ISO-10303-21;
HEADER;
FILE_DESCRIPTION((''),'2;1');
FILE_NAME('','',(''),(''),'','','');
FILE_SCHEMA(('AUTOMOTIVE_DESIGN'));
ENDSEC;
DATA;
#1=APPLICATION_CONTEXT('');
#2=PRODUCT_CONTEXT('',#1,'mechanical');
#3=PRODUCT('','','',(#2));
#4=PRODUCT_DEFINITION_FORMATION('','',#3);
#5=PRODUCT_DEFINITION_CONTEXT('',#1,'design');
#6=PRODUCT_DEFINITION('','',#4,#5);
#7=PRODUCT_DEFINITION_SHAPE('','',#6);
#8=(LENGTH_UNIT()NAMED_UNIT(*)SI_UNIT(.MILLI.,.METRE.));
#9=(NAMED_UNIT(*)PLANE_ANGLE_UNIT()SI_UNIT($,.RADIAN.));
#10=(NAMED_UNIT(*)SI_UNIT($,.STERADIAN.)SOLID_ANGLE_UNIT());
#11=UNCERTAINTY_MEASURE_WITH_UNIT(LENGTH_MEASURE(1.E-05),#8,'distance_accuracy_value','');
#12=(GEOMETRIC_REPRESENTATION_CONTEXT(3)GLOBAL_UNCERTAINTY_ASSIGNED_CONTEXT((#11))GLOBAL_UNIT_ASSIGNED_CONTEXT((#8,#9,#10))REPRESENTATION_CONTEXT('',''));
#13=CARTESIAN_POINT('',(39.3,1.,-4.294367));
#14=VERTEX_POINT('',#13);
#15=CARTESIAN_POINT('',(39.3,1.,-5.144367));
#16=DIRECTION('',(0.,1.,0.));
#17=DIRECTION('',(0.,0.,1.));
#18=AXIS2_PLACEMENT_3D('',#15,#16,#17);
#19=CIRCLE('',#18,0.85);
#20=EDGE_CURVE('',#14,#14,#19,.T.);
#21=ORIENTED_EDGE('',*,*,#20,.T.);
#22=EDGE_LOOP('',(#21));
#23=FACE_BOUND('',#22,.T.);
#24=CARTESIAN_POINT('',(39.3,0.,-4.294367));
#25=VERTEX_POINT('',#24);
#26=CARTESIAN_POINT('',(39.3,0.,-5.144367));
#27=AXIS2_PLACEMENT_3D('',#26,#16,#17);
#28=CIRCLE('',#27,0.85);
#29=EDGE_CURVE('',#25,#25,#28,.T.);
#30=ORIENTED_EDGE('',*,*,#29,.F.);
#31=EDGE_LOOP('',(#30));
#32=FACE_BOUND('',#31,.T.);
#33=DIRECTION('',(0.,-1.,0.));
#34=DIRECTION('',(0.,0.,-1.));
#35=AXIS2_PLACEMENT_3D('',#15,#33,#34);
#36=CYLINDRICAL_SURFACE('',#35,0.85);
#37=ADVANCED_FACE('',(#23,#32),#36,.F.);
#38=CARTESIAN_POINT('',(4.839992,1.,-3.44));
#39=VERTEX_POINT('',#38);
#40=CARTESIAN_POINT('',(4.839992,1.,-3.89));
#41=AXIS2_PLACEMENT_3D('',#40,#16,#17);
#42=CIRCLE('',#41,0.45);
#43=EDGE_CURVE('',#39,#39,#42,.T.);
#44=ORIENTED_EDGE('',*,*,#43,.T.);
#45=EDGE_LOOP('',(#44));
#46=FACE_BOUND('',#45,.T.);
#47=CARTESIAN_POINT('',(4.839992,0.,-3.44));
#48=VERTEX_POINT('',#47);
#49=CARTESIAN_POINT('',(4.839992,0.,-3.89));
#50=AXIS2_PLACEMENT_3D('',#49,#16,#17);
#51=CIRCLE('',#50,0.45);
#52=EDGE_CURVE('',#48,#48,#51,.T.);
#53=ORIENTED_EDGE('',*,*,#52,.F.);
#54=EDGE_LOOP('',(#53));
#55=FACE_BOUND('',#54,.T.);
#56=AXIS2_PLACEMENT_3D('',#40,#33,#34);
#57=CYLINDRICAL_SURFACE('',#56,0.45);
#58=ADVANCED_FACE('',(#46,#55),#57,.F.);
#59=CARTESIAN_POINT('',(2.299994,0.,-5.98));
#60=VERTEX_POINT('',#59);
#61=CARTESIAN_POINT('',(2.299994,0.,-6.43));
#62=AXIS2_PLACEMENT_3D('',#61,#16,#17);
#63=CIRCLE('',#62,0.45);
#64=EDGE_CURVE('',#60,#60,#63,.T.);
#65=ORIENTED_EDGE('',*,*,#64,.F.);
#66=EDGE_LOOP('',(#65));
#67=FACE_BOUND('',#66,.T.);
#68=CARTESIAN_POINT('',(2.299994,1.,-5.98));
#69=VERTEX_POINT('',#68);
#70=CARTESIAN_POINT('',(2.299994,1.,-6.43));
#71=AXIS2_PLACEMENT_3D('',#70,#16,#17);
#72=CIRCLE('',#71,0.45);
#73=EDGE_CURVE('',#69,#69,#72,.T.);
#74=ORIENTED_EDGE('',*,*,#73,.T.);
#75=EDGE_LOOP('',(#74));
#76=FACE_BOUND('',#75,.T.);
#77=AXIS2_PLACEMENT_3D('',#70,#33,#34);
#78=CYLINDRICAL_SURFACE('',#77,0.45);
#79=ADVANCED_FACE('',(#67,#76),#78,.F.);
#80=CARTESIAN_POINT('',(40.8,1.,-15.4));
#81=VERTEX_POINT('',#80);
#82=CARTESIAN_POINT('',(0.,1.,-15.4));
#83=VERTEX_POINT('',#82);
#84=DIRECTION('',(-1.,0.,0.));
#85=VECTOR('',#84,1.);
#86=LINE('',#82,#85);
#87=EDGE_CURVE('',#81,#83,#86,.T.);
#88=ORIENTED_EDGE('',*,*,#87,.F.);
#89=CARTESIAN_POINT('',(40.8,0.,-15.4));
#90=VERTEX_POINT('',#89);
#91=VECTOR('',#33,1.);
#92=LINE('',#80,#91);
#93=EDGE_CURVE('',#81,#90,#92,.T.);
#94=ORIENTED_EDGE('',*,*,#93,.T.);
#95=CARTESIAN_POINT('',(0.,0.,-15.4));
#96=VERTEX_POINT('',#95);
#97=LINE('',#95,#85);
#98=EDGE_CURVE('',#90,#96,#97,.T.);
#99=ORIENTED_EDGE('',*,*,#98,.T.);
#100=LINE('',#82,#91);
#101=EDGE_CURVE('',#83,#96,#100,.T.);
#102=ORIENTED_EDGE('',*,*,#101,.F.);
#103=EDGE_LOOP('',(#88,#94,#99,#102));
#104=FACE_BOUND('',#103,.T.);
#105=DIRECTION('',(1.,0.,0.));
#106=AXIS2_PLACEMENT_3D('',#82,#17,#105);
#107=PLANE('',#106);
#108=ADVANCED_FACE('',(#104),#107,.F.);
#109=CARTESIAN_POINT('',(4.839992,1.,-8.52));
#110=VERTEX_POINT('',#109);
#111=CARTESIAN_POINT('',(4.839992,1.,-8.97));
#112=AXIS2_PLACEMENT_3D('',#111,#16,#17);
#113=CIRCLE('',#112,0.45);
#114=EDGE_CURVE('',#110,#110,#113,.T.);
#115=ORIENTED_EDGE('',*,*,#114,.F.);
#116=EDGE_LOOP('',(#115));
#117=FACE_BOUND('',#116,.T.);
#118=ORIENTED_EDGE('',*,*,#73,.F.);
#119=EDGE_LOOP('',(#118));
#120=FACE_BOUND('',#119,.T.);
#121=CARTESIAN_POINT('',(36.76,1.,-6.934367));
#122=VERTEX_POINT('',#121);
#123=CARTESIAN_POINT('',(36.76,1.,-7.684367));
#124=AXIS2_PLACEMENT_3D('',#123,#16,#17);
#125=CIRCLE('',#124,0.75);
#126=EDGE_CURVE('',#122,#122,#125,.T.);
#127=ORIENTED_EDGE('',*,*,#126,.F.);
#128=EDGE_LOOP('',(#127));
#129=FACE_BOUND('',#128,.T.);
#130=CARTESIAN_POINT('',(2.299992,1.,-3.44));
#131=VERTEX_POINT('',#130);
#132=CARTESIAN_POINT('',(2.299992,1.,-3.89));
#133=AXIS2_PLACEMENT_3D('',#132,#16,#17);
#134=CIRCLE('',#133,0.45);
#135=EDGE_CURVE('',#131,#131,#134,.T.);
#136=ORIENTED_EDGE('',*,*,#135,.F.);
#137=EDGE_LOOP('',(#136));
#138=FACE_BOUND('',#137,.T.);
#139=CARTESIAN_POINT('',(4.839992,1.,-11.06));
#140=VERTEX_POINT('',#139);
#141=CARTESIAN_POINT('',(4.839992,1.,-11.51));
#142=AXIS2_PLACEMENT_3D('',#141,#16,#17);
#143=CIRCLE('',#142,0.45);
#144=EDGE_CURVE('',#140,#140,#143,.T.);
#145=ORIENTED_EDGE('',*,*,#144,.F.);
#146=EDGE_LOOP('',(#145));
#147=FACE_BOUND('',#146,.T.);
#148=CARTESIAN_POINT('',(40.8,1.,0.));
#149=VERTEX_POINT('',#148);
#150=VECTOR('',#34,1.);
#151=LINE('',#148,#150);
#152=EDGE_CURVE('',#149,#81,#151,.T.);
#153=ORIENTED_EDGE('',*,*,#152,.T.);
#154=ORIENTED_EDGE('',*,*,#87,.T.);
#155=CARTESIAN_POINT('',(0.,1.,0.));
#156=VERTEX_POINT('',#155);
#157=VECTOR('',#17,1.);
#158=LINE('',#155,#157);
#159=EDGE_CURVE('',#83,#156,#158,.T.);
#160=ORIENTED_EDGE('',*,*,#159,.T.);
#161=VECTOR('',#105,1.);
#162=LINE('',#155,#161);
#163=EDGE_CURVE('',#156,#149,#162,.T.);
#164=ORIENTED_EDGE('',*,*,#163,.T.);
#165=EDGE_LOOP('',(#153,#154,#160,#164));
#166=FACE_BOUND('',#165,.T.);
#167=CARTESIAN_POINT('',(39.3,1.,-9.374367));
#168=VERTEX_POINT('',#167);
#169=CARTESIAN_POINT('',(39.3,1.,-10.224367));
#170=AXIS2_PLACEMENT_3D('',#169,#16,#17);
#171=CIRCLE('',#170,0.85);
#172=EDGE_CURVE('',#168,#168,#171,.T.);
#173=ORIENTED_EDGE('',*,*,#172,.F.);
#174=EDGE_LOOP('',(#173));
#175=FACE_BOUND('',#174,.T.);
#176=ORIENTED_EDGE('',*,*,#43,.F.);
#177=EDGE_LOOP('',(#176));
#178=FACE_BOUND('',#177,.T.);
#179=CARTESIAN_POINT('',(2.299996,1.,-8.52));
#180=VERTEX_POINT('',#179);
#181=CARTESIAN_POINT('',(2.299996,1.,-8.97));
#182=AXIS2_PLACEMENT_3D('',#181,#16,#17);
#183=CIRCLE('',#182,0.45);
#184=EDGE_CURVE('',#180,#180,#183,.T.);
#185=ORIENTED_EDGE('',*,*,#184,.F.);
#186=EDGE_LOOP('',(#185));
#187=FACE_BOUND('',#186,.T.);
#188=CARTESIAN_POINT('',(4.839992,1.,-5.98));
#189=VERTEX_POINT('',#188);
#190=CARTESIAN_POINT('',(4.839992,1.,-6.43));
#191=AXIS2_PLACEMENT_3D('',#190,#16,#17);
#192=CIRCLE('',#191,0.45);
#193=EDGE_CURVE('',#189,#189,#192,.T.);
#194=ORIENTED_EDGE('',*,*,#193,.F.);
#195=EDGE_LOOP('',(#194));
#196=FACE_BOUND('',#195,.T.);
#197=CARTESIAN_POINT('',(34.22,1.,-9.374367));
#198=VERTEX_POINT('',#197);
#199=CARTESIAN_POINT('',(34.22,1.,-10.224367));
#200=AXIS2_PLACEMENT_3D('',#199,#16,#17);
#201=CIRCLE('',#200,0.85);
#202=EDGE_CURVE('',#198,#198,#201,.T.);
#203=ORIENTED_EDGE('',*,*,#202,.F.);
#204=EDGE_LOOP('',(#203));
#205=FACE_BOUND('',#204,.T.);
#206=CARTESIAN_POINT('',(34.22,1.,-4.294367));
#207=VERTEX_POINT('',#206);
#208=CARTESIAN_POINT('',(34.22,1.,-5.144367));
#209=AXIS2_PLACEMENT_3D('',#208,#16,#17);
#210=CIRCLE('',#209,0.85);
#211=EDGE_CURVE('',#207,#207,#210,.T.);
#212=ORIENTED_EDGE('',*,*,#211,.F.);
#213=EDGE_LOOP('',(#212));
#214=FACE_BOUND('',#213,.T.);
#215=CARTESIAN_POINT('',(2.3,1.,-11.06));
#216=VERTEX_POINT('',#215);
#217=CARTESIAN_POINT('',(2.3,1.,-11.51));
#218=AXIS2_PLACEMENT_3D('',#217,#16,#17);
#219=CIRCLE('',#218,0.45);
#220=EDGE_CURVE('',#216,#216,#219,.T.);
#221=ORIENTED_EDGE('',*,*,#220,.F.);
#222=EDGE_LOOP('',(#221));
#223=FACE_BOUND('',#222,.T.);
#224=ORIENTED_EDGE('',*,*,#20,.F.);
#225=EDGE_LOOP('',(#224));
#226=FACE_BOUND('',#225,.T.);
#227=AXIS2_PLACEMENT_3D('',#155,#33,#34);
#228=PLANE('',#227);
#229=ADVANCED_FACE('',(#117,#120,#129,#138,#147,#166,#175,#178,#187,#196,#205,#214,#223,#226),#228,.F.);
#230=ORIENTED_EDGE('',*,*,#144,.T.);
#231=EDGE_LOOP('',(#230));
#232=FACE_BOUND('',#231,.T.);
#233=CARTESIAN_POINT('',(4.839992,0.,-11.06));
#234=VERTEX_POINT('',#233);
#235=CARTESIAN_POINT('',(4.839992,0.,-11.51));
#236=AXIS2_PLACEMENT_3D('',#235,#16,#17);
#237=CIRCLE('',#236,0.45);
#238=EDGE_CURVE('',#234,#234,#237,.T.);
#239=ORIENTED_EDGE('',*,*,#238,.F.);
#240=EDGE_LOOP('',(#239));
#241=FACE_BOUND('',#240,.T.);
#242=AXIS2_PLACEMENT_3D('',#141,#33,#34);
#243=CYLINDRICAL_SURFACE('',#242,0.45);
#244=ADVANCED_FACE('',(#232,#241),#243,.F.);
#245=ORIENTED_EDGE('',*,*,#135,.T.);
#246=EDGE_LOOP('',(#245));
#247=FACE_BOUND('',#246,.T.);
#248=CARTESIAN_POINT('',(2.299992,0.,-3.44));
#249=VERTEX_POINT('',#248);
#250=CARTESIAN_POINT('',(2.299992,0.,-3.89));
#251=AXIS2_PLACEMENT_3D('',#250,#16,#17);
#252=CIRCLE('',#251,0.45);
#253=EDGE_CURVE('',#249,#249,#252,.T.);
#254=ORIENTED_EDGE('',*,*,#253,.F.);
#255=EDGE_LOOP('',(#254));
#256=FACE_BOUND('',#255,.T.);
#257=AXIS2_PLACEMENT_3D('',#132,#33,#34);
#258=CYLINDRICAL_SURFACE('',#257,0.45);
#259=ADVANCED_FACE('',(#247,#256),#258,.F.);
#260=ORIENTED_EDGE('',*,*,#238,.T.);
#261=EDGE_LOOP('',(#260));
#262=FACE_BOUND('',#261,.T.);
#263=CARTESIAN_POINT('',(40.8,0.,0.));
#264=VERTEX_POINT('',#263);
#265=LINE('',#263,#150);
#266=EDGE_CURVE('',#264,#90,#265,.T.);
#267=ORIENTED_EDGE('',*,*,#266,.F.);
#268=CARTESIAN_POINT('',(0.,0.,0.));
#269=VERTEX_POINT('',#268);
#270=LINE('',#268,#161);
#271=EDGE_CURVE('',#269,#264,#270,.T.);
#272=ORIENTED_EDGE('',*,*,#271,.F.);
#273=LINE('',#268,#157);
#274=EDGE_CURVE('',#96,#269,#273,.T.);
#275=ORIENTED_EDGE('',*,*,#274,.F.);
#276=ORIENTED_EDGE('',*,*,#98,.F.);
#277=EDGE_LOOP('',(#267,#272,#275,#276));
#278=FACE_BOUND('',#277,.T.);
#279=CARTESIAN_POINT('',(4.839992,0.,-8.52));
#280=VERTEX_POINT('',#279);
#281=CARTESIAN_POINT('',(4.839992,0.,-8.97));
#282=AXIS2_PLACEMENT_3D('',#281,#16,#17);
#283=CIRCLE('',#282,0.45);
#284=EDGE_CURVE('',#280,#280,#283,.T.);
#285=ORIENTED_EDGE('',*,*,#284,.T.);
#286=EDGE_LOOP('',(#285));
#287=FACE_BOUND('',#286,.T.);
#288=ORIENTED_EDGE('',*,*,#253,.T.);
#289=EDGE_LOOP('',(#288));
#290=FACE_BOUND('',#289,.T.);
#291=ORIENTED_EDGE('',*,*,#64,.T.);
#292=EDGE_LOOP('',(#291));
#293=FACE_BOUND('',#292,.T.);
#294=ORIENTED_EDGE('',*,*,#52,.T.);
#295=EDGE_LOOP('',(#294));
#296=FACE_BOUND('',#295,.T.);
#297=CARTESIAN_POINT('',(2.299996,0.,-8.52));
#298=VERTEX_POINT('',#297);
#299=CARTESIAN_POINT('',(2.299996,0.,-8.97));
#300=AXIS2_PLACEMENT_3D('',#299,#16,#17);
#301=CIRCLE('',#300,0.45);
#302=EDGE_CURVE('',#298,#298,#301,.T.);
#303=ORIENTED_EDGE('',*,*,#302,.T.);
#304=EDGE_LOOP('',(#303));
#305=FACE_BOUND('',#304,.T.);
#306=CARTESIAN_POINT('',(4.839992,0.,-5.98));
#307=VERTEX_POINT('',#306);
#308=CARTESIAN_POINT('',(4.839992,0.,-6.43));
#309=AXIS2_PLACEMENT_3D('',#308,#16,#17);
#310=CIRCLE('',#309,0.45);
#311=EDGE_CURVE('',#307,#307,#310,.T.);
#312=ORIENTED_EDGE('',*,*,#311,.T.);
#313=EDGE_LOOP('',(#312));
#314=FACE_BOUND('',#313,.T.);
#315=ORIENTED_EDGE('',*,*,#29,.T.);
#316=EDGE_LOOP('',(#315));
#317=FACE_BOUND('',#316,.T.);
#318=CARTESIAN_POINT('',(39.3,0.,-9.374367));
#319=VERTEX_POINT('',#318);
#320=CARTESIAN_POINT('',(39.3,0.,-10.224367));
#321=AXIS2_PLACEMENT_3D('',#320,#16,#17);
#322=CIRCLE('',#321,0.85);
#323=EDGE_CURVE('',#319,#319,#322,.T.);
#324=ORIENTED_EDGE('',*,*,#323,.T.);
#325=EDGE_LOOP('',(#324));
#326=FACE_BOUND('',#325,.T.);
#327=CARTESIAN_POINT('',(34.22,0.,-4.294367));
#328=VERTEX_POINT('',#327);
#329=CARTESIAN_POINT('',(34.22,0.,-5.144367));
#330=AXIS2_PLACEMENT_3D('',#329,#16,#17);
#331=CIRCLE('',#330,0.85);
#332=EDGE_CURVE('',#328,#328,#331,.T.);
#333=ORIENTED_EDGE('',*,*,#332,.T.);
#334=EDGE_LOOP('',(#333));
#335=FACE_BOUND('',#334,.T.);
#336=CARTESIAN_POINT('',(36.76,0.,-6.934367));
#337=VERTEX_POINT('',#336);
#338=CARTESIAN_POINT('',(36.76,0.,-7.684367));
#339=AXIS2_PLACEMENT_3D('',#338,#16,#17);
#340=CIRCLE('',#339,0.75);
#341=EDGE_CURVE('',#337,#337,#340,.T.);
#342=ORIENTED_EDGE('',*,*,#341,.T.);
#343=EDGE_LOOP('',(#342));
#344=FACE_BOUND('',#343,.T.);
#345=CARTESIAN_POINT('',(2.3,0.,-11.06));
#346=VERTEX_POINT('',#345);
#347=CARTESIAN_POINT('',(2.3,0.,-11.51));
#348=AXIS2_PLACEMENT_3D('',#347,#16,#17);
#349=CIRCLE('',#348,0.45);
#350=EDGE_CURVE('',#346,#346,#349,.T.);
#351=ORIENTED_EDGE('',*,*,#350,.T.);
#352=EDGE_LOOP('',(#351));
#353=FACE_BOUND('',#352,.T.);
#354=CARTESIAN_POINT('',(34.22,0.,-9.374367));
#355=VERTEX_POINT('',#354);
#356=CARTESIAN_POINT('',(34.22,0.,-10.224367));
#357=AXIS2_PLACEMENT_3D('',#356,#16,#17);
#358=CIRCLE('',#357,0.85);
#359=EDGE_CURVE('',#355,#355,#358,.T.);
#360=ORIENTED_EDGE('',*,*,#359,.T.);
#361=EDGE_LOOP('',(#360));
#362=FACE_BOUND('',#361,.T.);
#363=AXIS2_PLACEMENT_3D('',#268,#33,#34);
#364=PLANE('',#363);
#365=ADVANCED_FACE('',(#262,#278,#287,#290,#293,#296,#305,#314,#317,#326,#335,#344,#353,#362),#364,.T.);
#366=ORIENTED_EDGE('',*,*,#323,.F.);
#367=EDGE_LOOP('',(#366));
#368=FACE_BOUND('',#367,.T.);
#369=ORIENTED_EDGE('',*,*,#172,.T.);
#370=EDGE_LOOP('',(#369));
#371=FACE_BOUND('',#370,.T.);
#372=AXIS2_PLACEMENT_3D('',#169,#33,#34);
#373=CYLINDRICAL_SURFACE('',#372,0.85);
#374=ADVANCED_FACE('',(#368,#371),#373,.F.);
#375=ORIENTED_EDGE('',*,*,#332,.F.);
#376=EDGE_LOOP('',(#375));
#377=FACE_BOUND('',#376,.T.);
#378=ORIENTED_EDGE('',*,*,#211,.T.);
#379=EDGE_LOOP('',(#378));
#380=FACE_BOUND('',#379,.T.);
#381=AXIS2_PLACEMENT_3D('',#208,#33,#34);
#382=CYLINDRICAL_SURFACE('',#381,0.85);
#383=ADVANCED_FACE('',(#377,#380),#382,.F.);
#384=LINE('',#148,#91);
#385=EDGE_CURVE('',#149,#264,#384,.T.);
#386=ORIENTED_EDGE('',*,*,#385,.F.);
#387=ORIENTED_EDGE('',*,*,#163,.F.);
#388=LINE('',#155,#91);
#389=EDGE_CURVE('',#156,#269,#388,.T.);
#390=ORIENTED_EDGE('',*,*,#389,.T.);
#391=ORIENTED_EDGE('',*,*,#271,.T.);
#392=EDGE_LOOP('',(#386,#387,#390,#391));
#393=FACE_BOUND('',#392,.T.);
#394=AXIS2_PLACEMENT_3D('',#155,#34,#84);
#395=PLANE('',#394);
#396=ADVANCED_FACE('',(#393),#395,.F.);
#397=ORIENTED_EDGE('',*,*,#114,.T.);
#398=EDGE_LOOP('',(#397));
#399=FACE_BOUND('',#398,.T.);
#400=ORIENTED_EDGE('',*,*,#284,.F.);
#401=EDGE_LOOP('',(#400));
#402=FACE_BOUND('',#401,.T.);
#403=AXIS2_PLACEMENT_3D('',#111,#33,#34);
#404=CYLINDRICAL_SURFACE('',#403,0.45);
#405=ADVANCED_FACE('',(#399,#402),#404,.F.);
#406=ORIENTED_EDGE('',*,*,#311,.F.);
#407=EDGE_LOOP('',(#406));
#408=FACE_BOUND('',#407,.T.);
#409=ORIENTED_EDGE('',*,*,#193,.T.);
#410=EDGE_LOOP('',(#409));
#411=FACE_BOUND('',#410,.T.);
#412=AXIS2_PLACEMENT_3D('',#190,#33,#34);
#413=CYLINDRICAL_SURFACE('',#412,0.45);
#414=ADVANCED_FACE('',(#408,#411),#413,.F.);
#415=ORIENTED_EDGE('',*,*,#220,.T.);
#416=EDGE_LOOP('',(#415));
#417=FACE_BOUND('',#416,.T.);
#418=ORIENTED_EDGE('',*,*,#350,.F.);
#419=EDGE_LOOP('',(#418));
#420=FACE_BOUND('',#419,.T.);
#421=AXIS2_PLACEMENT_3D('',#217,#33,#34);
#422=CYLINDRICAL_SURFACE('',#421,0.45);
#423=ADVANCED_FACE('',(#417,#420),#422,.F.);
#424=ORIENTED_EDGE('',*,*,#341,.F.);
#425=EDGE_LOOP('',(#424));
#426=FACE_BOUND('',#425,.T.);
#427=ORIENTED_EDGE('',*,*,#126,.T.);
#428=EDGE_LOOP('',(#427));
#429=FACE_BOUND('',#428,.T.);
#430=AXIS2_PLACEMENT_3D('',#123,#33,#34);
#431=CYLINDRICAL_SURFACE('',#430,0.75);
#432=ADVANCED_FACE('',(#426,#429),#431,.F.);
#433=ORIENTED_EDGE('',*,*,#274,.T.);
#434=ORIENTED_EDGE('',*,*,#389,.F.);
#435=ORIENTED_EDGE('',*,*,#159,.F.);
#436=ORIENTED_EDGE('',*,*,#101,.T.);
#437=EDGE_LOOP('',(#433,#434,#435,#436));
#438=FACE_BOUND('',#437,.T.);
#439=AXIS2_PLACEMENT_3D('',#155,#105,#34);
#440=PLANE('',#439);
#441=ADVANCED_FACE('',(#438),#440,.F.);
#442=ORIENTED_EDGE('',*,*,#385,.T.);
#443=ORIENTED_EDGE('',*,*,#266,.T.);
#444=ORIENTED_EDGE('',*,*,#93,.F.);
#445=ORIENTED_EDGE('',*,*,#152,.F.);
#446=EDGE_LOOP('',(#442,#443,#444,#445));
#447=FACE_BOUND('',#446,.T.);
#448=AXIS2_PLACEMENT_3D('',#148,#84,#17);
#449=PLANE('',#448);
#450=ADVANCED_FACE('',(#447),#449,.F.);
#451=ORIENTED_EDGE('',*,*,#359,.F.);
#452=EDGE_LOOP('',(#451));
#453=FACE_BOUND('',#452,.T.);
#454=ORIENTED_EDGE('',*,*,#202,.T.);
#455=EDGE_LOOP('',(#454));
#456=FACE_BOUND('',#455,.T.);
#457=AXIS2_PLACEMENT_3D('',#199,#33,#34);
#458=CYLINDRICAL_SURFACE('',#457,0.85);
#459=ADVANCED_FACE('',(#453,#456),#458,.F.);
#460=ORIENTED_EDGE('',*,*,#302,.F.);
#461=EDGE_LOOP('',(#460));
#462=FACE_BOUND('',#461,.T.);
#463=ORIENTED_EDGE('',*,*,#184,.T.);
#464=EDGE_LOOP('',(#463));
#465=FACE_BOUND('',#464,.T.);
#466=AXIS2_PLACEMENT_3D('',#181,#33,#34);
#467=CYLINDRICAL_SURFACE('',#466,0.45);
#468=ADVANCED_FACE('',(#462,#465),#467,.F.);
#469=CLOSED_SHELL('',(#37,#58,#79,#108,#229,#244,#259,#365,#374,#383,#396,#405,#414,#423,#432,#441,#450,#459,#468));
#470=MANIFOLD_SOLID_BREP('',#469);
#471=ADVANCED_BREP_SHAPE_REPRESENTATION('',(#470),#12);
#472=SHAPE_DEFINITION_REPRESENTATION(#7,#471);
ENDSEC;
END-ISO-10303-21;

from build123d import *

# Parameters (mm, degrees)
SKETCH_1_W      = 40.8
SKETCH_1_H      = 15.4
SKETCH_1_R      = 0.45
SKETCH_1_R_2    = 0.85
SKETCH_1_R_3    = 0.75
EXTRUDE_1_DEPTH = 1


with BuildPart() as part:
    # Эскиз1 → Бобышка-Вытянуть1 (new body)
    with BuildSketch(Plane(origin=(0, 0, 0), x_dir=(1, 0, 0), z_dir=(0, 1, 0))):
        with Locations((20.4, 7.7)):
            Rectangle(SKETCH_1_W, SKETCH_1_H)
        with Locations((2.299992341, 3.89)):
            Circle(SKETCH_1_R, mode=Mode.SUBTRACT)
        with Locations((2.299993928, 6.43)):
            Circle(SKETCH_1_R, mode=Mode.SUBTRACT)
        with Locations((2.299995515, 8.97)):
            Circle(SKETCH_1_R, mode=Mode.SUBTRACT)
        with Locations((2.3, 11.51)):
            Circle(SKETCH_1_R, mode=Mode.SUBTRACT)
        with Locations((4.839992341, 3.89)):
            Circle(SKETCH_1_R, mode=Mode.SUBTRACT)
        with Locations((4.839992341, 6.43)):
            Circle(SKETCH_1_R, mode=Mode.SUBTRACT)
        with Locations((4.839992341, 8.97)):
            Circle(SKETCH_1_R, mode=Mode.SUBTRACT)
        with Locations((4.839992341, 11.51)):
            Circle(SKETCH_1_R, mode=Mode.SUBTRACT)
        with Locations((34.22, 5.144366898)):
            Circle(SKETCH_1_R_2, mode=Mode.SUBTRACT)
        with Locations((34.22, 10.224366898)):
            Circle(SKETCH_1_R_2, mode=Mode.SUBTRACT)
        with Locations((39.3, 5.144366898)):
            Circle(SKETCH_1_R_2, mode=Mode.SUBTRACT)
        with Locations((39.3, 10.224366898)):
            Circle(SKETCH_1_R_2, mode=Mode.SUBTRACT)
        with Locations((36.76, 7.684366898)):
            Circle(SKETCH_1_R_3, mode=Mode.SUBTRACT)
    extrude(amount=EXTRUDE_1_DEPTH)


solid = part.part
